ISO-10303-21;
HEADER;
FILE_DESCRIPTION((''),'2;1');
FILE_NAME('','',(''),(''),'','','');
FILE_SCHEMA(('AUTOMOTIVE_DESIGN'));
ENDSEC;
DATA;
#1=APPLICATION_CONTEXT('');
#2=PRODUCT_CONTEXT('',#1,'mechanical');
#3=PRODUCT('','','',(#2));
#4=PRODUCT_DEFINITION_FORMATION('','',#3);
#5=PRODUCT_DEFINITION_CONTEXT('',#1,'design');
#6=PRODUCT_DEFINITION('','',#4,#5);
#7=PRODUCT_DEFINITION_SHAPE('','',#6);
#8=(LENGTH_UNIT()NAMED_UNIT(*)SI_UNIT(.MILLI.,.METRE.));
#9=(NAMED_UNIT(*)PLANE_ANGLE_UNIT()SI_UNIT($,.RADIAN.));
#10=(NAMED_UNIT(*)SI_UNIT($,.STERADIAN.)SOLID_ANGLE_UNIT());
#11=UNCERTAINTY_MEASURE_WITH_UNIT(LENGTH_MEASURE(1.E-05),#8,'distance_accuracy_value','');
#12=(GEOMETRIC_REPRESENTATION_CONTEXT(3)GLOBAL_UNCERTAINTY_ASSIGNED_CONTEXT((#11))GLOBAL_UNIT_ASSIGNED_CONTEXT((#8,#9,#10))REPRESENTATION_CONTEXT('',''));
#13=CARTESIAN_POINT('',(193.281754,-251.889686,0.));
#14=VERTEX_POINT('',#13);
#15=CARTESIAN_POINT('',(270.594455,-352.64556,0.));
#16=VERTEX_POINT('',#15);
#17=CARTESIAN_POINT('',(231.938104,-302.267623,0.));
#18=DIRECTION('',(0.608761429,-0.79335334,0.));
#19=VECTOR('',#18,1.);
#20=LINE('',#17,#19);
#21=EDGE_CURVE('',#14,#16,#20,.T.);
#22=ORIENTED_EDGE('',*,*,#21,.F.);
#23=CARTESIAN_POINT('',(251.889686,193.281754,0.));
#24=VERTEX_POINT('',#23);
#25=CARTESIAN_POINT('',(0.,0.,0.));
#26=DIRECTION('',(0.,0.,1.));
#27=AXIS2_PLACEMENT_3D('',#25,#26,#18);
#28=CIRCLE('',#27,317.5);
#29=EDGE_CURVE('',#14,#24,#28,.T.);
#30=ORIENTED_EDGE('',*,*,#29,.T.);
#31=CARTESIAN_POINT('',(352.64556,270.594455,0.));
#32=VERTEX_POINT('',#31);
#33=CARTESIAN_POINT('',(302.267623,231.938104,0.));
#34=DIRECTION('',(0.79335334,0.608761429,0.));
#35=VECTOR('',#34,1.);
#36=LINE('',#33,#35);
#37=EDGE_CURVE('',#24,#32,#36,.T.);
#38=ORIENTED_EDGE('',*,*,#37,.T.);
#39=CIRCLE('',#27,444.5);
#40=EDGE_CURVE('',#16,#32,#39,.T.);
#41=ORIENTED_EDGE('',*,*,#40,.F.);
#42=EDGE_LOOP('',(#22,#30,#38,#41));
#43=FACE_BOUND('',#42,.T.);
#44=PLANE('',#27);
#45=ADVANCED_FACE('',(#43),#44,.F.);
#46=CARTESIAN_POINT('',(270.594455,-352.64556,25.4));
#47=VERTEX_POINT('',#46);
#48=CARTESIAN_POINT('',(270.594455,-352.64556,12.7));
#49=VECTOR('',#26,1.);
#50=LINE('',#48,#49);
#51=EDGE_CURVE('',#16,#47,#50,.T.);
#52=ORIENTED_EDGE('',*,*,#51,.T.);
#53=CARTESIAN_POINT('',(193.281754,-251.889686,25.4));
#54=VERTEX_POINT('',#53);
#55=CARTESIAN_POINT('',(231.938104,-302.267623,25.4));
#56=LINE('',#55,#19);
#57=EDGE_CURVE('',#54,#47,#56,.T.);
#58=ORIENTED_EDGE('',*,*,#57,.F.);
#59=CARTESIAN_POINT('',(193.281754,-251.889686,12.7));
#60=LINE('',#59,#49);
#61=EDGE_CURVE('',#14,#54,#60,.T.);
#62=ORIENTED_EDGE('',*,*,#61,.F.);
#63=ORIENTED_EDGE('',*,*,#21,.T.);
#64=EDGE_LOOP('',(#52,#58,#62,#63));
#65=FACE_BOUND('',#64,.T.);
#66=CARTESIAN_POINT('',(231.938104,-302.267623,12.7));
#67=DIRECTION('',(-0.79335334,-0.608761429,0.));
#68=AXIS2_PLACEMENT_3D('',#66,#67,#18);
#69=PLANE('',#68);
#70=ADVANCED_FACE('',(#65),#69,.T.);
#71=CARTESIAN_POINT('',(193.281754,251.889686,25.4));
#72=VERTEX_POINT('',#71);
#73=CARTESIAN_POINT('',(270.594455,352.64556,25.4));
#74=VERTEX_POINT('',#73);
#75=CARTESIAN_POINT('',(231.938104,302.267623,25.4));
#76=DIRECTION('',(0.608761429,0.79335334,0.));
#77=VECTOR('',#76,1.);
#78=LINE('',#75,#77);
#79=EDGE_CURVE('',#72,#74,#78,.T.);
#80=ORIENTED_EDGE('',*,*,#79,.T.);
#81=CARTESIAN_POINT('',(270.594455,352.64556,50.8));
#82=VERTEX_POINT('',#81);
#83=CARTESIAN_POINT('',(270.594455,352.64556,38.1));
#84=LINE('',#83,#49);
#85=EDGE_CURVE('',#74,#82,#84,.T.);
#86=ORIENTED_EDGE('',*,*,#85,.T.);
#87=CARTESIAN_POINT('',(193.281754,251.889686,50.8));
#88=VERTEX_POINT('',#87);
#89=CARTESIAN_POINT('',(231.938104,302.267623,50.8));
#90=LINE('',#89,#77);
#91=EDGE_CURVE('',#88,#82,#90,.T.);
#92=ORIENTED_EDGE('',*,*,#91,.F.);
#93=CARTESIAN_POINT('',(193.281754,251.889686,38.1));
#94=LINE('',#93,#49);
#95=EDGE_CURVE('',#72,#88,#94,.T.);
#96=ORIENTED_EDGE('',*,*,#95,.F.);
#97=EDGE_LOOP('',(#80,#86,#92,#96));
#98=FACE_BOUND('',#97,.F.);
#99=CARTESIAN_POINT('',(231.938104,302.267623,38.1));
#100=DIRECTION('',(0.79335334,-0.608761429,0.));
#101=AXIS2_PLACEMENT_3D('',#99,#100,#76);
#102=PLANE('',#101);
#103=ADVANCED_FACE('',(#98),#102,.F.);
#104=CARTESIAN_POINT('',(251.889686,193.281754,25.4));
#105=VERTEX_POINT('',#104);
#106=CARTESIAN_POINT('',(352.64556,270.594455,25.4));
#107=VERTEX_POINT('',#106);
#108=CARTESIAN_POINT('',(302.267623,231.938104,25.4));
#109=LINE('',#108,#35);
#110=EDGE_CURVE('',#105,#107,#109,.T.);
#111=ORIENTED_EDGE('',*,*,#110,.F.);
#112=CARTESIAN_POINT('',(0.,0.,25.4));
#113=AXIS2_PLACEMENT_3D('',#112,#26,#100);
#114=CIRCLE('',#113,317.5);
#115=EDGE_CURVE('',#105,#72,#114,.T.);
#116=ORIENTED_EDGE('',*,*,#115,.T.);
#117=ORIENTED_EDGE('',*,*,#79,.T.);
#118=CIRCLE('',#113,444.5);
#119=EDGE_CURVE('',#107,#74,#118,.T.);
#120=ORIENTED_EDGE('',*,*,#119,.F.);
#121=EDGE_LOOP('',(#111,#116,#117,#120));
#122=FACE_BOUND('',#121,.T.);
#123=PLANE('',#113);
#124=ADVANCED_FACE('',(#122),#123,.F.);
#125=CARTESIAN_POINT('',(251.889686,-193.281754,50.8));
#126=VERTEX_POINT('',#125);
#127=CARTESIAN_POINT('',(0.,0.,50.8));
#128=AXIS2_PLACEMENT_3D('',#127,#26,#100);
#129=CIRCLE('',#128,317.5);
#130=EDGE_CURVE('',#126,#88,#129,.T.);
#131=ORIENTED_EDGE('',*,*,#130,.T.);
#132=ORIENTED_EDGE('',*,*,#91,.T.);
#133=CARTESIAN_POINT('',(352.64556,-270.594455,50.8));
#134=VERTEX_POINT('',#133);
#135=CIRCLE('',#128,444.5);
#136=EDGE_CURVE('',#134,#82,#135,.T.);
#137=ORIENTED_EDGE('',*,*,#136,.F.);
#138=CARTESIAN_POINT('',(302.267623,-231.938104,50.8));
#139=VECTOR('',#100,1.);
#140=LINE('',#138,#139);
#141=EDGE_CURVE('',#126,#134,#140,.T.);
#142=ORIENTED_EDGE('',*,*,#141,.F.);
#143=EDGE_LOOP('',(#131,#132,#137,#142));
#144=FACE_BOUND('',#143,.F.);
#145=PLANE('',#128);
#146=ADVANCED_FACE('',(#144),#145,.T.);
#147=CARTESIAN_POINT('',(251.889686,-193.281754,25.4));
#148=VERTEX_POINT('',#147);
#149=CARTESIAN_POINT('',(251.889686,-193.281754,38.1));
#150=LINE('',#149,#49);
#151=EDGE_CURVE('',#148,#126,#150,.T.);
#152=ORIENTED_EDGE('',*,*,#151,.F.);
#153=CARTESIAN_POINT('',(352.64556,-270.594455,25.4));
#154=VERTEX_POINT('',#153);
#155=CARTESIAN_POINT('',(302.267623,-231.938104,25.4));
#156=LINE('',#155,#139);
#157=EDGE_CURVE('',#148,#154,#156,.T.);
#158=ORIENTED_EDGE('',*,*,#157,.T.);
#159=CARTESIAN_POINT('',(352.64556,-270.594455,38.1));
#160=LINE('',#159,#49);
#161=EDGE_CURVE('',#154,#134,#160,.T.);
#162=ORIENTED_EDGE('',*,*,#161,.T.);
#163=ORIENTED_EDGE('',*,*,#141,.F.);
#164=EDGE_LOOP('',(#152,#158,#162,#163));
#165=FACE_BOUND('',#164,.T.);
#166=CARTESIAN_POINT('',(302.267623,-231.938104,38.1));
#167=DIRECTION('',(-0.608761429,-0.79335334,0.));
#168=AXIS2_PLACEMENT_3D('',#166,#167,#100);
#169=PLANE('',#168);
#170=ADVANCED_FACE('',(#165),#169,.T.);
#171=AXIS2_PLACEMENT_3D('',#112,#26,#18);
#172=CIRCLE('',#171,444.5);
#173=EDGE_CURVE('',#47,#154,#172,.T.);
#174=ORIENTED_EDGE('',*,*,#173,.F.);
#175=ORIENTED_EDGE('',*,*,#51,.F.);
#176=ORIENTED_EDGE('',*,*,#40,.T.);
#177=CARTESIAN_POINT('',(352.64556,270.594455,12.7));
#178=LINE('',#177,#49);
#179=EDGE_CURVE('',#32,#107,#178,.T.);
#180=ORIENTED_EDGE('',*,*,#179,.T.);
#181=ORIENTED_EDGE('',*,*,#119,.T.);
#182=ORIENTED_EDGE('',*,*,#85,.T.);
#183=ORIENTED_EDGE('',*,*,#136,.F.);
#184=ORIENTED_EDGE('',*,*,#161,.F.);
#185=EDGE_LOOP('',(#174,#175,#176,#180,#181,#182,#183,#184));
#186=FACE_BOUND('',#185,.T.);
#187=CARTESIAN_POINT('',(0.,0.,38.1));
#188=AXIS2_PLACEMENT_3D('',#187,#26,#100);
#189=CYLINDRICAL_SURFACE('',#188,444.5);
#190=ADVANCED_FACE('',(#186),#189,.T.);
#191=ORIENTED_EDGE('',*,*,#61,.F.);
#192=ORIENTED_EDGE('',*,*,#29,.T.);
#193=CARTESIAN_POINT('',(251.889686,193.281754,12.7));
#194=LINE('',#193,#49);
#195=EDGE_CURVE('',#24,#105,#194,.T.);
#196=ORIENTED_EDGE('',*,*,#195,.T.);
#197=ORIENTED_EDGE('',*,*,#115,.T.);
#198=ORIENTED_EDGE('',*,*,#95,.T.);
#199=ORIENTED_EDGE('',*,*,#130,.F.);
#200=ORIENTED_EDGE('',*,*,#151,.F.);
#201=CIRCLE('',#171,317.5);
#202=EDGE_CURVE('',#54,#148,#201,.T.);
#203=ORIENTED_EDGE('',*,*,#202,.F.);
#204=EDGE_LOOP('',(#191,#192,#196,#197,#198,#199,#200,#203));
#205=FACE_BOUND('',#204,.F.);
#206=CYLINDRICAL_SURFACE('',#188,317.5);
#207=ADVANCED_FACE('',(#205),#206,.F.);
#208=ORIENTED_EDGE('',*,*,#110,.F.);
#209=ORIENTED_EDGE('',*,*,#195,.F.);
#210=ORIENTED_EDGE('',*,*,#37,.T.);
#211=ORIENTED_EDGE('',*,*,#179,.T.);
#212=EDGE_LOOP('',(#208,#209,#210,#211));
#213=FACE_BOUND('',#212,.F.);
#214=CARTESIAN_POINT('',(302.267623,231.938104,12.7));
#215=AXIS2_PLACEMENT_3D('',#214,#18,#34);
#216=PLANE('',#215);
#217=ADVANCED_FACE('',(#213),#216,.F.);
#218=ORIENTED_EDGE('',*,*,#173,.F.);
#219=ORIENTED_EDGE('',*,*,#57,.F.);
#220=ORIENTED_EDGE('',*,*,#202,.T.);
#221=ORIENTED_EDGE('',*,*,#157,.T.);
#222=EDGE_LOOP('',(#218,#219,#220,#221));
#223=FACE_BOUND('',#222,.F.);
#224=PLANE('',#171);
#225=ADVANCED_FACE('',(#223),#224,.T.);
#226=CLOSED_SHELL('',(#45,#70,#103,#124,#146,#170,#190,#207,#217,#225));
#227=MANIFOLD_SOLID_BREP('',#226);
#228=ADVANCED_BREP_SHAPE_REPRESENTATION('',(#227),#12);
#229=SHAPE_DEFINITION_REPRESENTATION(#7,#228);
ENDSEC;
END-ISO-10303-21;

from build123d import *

# Parameters (mm, degrees)
F0_W          = 127
F0_H          = 25.4
F1_ANGLE_BACK = 52.5
F1_ANGLE      = 90
F2_ANGLE_BACK = 37.5
F2_ANGLE      = 90


with BuildPart() as f1:
    # F0 (on Front) → F1 (revolve)
    with BuildSketch(Plane.XZ, mode=Mode.PRIVATE) as f1_sk:
        with Locations((381, 12.7)):
            Rectangle(F0_W, F0_H)
    revolve(f1_sk.sketch.rotate(Axis((0, 0, 25.6199203432), (0, 0, 1)), -F1_ANGLE_BACK), axis=Axis((0, 0, 25.6199203432), (0, 0, 1)), revolution_arc=F1_ANGLE)

    # F0 (on Front) → F2 (revolve)
    with BuildSketch(Plane.XZ, mode=Mode.PRIVATE) as f2_sk:
        with Locations((381, 38.1)):
            Rectangle(F0_W, F0_H)
    revolve(f2_sk.sketch.rotate(Axis((0, 0, 25.6199203432), (0, 0, 1)), -F2_ANGLE_BACK), axis=Axis((0, 0, 25.6199203432), (0, 0, 1)), revolution_arc=F2_ANGLE)


solid = f1.part
